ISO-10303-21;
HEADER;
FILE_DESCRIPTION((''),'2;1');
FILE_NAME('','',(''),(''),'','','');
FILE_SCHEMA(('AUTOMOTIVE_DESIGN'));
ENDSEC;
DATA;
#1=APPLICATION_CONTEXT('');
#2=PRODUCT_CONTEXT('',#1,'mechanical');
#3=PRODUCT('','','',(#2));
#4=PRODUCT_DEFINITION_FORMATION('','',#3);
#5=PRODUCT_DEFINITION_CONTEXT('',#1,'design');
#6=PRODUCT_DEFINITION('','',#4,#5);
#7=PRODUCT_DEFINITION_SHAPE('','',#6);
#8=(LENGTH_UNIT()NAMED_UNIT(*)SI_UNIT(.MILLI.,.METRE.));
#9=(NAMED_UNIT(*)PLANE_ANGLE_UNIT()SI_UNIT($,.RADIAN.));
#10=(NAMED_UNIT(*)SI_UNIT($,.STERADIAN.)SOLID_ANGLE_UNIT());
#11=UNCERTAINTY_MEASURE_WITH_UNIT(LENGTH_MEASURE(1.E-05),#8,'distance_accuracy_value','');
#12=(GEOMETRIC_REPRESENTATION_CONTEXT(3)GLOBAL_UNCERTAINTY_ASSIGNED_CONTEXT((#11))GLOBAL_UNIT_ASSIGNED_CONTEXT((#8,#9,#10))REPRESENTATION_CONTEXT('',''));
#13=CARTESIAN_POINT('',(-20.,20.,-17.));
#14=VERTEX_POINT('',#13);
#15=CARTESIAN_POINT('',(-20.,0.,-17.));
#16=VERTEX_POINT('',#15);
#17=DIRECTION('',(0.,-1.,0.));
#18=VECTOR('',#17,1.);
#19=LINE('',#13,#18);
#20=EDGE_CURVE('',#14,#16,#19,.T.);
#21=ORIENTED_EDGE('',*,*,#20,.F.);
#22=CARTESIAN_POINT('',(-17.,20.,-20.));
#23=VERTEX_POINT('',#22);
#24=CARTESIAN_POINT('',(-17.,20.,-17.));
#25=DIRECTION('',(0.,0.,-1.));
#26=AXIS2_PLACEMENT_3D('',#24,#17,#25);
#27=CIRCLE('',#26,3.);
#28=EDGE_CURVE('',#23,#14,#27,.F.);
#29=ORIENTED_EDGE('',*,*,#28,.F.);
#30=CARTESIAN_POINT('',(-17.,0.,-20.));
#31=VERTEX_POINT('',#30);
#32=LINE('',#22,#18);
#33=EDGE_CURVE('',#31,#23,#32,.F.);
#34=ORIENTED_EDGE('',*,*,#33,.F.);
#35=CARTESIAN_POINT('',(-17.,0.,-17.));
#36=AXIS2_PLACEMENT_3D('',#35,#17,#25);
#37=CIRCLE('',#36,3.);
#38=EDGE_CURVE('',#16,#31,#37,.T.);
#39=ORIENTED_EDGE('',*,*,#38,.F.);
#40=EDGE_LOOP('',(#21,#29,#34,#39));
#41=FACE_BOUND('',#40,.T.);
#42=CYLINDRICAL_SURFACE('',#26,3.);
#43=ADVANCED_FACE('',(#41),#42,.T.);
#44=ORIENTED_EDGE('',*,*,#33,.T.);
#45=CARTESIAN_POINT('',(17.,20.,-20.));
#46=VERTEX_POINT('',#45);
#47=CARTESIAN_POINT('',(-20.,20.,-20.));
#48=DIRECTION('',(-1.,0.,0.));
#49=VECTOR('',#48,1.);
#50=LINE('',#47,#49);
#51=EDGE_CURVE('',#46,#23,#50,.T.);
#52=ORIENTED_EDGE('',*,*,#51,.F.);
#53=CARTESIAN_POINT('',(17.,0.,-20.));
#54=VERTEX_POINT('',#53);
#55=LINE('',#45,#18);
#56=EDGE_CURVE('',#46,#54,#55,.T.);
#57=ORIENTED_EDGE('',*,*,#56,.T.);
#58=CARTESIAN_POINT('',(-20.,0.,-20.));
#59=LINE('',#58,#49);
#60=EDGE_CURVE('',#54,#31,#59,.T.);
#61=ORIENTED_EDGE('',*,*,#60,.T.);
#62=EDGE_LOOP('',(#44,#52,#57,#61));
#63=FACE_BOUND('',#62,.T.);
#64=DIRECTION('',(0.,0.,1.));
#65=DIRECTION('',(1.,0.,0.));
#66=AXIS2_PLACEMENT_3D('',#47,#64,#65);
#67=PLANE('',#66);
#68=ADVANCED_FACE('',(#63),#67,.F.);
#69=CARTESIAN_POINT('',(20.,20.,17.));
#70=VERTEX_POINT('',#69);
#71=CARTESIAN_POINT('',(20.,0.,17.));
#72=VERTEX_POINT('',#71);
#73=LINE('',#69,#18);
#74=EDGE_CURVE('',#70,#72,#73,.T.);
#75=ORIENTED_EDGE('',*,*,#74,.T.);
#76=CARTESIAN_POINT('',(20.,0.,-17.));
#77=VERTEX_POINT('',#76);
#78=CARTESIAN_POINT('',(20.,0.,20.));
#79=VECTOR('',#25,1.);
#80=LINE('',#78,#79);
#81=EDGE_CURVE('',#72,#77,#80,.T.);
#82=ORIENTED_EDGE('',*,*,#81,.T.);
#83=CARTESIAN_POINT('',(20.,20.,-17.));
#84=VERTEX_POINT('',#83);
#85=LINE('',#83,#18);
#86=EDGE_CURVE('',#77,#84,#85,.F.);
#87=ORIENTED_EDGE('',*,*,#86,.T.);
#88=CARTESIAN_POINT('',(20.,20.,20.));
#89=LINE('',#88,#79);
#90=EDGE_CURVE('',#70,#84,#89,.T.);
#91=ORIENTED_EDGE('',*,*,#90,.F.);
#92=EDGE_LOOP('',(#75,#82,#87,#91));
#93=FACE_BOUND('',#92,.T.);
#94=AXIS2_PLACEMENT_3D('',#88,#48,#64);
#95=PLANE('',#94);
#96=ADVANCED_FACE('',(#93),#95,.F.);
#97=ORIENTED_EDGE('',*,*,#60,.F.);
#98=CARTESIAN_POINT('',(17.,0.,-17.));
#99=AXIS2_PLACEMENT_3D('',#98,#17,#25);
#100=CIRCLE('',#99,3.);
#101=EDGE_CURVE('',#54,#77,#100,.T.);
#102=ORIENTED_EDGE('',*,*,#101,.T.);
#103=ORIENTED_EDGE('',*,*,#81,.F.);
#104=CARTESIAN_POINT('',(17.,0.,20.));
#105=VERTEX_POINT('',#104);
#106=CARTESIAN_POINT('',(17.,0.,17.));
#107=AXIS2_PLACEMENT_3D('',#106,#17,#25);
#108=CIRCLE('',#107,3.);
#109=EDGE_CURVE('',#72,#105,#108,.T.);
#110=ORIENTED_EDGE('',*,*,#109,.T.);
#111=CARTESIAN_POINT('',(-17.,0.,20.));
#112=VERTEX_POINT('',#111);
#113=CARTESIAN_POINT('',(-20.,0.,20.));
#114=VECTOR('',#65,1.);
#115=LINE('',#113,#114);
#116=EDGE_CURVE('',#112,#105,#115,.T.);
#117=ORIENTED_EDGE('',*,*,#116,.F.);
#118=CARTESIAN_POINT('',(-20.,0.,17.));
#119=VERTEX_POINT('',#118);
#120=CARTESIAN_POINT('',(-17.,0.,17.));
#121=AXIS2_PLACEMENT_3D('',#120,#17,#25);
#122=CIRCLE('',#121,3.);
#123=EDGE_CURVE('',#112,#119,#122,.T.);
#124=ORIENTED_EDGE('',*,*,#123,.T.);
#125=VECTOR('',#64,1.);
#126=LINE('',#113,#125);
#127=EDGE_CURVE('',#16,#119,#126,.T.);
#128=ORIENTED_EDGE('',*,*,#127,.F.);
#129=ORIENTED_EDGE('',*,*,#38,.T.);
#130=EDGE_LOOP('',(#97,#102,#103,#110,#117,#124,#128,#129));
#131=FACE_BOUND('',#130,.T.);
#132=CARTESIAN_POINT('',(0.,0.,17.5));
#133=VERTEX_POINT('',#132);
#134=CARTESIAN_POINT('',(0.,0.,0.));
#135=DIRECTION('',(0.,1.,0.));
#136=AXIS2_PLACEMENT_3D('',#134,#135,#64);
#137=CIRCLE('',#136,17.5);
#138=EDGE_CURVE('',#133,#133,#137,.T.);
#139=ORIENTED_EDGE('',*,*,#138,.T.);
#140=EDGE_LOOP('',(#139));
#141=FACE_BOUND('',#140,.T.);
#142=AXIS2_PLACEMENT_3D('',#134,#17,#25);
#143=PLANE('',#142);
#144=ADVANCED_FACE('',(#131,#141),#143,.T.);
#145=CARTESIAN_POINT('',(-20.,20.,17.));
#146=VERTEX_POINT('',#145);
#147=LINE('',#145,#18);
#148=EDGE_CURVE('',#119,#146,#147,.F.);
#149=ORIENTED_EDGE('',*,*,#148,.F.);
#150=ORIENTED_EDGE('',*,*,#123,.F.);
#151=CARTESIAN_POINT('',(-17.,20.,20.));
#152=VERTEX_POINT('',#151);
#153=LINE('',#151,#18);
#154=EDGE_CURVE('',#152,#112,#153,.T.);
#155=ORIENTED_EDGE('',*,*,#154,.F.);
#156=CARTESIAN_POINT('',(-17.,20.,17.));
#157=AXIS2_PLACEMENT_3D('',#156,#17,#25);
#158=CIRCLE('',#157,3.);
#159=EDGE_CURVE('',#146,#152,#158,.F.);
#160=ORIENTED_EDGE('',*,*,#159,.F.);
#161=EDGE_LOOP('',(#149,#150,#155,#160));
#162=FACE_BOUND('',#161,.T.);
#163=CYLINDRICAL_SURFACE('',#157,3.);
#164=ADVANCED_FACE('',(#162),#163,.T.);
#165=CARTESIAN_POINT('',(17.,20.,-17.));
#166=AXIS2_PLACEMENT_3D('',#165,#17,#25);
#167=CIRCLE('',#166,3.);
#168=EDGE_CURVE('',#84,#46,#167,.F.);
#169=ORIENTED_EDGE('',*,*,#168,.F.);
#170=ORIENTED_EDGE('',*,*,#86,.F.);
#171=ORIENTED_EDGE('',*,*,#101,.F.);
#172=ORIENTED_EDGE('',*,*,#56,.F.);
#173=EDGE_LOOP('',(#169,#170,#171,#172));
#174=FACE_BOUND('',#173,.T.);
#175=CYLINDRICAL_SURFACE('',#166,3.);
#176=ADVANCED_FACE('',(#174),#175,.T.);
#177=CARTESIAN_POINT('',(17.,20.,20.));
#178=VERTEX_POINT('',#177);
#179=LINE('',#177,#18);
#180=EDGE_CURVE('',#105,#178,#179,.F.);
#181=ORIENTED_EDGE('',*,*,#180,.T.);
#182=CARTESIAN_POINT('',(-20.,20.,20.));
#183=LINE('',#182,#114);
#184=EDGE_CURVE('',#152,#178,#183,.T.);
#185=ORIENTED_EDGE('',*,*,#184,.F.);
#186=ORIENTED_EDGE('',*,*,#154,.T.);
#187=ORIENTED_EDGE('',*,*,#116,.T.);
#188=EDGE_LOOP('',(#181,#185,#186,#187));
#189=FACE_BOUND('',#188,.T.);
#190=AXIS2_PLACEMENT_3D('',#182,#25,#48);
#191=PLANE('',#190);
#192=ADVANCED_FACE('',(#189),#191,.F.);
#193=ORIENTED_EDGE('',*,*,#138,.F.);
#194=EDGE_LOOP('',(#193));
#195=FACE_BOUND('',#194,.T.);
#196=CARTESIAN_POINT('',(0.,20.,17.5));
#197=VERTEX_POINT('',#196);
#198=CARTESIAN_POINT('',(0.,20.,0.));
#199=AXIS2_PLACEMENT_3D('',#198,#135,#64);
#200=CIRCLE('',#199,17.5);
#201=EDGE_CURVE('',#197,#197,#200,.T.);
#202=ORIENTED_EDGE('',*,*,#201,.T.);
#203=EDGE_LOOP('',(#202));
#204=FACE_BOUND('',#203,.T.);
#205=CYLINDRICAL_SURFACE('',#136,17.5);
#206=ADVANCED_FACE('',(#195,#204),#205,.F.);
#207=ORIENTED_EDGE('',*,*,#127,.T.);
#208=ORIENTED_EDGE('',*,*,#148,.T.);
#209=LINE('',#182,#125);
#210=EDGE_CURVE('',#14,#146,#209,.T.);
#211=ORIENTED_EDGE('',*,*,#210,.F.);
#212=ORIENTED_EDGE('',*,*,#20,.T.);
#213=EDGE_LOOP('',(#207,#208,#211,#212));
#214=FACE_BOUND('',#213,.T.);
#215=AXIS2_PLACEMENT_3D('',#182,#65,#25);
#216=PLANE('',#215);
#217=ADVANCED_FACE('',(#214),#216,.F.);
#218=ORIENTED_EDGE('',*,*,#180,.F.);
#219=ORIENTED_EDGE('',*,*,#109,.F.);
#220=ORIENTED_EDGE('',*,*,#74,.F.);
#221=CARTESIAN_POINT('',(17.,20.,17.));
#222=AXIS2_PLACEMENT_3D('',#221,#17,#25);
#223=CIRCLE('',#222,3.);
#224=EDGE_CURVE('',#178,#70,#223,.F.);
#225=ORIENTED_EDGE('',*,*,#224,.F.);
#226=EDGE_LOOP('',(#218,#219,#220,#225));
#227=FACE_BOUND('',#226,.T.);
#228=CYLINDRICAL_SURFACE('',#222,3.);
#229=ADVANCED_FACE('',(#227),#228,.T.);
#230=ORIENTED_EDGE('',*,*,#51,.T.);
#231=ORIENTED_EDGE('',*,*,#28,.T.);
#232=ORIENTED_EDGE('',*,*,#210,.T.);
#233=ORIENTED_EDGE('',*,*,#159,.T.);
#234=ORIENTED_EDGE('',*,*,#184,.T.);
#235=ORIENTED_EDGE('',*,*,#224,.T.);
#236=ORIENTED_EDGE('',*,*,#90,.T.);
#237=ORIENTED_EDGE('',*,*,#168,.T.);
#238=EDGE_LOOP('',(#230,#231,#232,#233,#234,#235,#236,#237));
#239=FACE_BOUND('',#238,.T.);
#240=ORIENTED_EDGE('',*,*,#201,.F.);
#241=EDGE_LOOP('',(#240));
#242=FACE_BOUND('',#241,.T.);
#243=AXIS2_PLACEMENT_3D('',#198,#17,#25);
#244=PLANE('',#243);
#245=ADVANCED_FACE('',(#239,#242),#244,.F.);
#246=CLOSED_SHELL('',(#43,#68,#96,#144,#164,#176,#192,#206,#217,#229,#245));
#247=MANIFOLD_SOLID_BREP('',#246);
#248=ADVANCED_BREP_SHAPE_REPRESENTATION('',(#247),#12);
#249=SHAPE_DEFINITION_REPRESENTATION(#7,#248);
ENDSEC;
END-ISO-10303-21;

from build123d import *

# Parameters (mm, degrees)
SKETCH1_W           = 40
SKETCH1_H           = 40
BOSS_EXTRUDE1_DEPTH = 20
FILLET1_R           = 3
SKETCH2_R           = 17.5
CUT_EXTRUDE1_DEPTH  = 35.641016151


with BuildPart() as part:
    # Sketch1 → Boss-Extrude1 (new body)
    with BuildSketch(Plane(origin=(0, 0, 0), x_dir=(1, 0, 0), z_dir=(0, 1, 0))):
        Rectangle(SKETCH1_W, SKETCH1_H)
    extrude(amount=BOSS_EXTRUDE1_DEPTH)

    # Fillet1
    fillet1_edges = [part.edges().sort_by_distance(p)[0] for p in [
        (20, 10, 20),
        (-20, 10, 20),
        (-20, 10, -20),
        (20, 10, -20),
    ]]
    fillet(fillet1_edges, radius=FILLET1_R)

    # Sketch2 → Cut-Extrude1 (cut, through all)
    with BuildSketch(Plane(origin=(0, 20, 0), x_dir=(1, 0, 0), z_dir=(0, 1, 0))):
        with Locations(Location((0, 0, 0), (0, 0, 270))):
            Circle(SKETCH2_R)
    extrude(amount=-CUT_EXTRUDE1_DEPTH, mode=Mode.SUBTRACT)


solid = part.part
